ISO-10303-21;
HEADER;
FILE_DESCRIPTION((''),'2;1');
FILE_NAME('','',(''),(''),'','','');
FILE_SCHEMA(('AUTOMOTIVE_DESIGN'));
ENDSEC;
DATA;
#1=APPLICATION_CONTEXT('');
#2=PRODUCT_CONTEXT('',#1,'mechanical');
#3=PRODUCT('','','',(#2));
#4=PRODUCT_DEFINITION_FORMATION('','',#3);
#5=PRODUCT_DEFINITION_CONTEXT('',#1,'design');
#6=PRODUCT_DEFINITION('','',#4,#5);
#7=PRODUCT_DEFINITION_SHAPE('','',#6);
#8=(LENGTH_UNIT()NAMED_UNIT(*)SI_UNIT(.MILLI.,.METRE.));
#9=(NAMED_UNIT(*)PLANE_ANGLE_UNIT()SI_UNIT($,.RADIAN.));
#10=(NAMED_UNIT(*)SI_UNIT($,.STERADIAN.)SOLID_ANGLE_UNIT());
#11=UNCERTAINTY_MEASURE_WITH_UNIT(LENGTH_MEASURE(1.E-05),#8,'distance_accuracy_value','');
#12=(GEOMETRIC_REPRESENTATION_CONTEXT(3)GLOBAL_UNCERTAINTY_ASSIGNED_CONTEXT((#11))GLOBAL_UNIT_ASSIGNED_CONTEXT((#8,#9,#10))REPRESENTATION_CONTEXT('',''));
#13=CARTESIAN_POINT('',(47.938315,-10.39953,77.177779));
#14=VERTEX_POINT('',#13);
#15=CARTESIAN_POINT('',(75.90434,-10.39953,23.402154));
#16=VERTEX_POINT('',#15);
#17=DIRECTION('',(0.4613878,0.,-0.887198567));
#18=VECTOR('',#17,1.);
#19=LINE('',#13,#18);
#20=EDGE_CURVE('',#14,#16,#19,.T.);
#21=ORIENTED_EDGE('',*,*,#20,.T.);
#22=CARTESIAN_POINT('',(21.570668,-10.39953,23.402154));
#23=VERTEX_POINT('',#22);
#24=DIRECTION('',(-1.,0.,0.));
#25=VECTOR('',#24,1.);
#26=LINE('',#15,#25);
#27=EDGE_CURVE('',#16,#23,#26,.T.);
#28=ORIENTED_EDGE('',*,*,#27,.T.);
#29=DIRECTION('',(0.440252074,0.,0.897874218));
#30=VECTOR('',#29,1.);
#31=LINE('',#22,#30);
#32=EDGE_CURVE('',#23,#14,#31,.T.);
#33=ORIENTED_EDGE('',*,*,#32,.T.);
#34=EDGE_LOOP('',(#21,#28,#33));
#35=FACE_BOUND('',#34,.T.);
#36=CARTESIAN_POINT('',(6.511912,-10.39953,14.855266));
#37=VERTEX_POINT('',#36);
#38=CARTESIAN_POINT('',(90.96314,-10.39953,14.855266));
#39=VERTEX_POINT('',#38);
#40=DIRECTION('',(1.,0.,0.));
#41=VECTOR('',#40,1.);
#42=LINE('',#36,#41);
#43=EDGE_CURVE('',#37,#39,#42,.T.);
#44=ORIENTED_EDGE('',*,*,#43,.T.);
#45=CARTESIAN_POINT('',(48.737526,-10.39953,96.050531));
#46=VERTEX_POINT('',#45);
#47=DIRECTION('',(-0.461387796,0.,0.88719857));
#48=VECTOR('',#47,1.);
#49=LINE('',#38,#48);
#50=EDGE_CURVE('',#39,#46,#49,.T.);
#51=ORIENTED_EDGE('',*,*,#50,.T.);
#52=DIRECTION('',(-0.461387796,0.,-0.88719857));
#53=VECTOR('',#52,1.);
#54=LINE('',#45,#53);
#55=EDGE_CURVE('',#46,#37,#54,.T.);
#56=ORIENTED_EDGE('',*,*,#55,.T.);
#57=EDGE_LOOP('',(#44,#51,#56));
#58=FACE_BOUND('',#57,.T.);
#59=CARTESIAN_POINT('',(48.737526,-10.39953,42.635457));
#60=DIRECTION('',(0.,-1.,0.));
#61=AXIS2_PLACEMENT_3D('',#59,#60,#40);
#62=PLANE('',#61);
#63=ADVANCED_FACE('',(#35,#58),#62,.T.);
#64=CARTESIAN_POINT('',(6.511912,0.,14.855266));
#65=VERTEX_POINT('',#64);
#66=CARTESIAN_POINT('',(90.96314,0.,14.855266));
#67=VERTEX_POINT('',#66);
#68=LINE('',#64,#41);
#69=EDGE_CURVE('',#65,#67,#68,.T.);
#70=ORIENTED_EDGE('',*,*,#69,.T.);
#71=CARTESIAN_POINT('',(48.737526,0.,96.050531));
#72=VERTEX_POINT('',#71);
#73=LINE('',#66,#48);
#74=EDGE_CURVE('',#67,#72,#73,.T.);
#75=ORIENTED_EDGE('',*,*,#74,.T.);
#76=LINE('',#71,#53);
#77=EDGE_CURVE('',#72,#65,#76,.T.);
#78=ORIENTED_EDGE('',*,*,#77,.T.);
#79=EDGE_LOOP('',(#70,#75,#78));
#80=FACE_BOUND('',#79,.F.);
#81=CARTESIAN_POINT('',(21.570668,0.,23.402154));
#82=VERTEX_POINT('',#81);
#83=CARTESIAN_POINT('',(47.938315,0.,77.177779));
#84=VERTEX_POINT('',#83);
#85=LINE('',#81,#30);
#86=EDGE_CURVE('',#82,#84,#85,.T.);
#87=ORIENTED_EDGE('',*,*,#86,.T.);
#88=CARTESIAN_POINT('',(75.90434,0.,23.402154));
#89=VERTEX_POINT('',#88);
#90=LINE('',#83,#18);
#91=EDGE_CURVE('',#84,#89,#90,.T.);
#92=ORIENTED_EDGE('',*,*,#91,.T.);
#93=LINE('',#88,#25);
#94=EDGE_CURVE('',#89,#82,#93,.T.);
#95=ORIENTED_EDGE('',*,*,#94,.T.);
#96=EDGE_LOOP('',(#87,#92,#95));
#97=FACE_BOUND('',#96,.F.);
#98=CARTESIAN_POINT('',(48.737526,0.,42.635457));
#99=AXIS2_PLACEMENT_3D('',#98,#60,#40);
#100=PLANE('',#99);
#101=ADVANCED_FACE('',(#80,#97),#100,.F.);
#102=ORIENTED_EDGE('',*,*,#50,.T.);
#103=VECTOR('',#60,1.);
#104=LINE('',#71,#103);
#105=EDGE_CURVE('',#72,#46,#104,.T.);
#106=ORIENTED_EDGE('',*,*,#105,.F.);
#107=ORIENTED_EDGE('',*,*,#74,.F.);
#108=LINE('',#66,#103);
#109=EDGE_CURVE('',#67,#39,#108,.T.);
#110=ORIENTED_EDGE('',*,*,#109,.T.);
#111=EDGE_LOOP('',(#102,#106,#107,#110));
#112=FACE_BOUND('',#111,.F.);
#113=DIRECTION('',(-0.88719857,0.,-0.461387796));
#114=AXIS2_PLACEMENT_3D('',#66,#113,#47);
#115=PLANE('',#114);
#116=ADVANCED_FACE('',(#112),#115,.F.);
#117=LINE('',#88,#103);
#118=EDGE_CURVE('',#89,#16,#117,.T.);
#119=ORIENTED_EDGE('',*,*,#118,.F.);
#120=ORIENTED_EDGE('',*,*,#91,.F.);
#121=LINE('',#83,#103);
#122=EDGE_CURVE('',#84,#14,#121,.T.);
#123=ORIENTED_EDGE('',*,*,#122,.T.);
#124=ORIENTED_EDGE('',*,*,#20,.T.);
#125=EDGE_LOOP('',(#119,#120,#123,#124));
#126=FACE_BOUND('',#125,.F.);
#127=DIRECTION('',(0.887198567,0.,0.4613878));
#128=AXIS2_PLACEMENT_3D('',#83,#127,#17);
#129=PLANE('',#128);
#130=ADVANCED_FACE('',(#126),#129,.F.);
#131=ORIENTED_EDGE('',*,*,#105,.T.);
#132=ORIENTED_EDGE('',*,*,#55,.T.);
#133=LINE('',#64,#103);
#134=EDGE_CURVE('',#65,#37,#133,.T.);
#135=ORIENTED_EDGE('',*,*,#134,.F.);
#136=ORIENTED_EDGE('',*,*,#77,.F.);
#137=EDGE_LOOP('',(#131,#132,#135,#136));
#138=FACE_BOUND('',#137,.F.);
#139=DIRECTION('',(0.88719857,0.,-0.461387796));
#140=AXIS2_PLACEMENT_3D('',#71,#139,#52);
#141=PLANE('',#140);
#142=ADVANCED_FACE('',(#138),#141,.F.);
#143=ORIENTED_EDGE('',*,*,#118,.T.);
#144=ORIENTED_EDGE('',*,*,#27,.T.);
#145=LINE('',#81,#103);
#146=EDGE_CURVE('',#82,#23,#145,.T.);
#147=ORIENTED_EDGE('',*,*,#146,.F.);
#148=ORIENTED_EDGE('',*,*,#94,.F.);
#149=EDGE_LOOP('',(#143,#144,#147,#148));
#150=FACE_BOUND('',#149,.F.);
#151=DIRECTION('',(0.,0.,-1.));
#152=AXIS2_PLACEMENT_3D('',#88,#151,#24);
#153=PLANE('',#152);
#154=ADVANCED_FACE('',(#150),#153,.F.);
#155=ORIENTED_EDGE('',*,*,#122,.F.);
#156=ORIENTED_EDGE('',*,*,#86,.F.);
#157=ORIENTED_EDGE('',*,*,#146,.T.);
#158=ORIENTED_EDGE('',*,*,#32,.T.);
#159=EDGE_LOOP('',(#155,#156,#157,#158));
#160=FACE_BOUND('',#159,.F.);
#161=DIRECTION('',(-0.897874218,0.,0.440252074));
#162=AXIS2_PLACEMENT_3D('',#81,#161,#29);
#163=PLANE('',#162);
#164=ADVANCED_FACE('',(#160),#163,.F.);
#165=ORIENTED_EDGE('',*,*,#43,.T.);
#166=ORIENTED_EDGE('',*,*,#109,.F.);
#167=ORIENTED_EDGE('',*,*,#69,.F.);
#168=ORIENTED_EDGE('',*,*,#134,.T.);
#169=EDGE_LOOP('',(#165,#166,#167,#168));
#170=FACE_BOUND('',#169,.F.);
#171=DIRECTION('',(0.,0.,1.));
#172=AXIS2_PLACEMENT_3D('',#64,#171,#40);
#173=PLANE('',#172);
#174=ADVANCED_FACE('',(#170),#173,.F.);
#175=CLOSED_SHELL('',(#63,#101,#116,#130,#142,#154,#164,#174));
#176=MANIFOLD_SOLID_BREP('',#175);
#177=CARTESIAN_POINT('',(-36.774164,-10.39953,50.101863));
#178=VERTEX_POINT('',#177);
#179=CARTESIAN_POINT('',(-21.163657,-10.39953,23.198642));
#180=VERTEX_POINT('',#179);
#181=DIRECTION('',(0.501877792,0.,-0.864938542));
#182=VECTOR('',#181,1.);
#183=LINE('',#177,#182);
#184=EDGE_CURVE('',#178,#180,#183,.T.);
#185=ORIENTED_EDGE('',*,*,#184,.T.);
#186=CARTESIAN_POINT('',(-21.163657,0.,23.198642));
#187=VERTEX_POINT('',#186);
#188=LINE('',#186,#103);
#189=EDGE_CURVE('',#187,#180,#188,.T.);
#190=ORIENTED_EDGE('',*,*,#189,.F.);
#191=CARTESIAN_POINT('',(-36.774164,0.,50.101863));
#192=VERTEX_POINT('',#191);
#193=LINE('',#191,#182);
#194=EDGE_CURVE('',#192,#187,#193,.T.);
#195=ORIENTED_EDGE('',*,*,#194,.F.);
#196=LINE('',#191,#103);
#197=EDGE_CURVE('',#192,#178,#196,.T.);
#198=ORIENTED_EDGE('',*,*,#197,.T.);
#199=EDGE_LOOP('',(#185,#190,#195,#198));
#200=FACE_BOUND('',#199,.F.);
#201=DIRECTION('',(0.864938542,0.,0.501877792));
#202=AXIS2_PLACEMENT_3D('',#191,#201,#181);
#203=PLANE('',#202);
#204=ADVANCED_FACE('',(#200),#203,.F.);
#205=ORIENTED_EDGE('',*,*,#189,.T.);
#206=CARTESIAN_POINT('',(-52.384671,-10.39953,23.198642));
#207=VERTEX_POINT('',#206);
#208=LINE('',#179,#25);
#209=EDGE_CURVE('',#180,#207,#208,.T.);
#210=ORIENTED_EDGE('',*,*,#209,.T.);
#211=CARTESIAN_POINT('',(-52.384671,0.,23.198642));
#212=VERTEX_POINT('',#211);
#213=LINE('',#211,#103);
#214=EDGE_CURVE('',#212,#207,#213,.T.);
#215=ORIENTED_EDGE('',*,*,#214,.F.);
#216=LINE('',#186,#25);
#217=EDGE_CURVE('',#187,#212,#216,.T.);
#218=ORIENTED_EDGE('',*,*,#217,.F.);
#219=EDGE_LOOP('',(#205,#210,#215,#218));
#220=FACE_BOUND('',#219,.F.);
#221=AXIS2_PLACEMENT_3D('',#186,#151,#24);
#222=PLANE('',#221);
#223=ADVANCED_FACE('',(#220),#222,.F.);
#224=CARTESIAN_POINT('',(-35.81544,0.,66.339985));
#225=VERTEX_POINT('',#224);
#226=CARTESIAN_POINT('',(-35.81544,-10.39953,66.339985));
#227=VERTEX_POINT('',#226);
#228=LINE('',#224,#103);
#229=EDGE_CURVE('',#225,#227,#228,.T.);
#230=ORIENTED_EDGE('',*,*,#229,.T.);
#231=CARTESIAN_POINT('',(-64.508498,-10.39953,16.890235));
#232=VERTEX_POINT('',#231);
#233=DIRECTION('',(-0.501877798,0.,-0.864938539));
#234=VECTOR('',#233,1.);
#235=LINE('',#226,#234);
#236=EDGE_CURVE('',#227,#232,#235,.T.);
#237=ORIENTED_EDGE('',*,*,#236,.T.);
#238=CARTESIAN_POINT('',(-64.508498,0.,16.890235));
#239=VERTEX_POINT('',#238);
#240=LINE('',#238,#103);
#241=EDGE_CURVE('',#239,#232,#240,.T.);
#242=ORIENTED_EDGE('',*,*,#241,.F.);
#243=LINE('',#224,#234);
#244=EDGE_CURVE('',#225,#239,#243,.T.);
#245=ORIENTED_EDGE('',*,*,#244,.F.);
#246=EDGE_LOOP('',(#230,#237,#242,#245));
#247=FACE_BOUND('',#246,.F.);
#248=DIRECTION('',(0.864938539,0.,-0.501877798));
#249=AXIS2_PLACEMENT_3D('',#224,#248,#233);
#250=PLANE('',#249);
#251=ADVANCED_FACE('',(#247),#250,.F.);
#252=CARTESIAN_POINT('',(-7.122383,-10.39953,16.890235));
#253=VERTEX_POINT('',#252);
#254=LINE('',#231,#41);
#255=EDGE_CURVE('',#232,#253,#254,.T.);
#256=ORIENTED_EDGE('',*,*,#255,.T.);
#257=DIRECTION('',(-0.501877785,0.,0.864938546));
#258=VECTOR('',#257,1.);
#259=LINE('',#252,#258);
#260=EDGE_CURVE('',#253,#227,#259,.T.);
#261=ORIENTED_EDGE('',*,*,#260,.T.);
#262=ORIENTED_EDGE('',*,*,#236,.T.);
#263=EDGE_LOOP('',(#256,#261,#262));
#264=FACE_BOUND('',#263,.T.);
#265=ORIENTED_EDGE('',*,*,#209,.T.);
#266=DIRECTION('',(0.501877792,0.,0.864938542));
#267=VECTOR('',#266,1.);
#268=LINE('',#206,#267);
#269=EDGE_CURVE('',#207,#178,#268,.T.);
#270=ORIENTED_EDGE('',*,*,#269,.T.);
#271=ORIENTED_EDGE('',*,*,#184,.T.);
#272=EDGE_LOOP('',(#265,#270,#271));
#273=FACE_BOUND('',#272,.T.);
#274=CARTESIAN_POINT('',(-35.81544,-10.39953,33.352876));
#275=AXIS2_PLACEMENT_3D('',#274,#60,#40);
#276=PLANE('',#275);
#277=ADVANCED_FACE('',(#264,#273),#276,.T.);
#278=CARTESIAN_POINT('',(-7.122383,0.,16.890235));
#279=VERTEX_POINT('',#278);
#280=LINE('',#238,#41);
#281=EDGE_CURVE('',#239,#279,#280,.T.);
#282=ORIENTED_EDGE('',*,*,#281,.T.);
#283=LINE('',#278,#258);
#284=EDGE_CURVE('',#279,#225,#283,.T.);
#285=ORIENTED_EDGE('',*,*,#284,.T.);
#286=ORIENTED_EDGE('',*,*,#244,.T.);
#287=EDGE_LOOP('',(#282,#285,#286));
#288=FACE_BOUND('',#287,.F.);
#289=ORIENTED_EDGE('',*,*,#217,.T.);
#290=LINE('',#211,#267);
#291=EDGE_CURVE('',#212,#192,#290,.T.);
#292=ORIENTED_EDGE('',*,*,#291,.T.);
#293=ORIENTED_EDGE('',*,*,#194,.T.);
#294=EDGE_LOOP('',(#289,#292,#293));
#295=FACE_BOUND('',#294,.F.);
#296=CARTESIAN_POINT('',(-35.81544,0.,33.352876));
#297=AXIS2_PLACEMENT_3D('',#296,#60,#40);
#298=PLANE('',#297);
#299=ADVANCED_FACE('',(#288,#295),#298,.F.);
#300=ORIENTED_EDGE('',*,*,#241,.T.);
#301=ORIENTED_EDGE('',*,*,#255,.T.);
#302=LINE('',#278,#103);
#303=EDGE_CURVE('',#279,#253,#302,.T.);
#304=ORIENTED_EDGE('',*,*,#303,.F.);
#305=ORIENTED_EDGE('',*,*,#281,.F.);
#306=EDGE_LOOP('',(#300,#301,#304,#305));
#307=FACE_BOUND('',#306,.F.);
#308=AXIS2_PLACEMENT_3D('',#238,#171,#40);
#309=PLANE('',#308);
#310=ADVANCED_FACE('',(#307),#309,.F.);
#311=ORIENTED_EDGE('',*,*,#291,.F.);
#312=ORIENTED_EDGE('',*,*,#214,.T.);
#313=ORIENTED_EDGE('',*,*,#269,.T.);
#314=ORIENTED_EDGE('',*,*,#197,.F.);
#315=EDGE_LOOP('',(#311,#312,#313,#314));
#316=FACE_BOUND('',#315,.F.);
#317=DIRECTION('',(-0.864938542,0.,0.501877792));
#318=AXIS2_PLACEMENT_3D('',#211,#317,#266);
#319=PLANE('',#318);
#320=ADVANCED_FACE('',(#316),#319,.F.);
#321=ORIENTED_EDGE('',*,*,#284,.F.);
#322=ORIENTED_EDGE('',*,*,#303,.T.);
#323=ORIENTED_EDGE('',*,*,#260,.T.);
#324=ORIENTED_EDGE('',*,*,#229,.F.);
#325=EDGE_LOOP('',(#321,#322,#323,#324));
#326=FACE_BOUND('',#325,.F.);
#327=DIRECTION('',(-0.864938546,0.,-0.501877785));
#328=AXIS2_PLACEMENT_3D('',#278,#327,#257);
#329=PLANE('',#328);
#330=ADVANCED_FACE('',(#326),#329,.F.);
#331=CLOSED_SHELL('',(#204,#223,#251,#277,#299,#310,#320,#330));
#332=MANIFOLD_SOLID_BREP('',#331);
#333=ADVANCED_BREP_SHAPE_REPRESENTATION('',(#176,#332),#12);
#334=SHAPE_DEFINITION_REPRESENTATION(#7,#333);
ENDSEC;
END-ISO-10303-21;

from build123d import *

# Parameters (mm, degrees)
F1_DEPTH = 10.39953


with BuildPart() as f1:
    # F0 (on Front) → F1 (new body)
    with BuildSketch(Plane.XZ):
        Polygon((48.737526, 96.050531), (6.511912, 14.855266), (90.96314, 14.855266), align=None)
        Polygon((75.90434, 23.402154), (21.570668, 23.402154), (47.938315, 77.177779), align=None, mode=Mode.SUBTRACT)
        Polygon((-35.81544, 66.339985), (-64.508498, 16.890235), (-7.122383, 16.890235), align=None)
        Polygon((-21.163657, 23.198642), (-52.384671, 23.198642), (-36.774164, 50.101863), align=None, mode=Mode.SUBTRACT)
    extrude(amount=F1_DEPTH)


solid = f1.part
